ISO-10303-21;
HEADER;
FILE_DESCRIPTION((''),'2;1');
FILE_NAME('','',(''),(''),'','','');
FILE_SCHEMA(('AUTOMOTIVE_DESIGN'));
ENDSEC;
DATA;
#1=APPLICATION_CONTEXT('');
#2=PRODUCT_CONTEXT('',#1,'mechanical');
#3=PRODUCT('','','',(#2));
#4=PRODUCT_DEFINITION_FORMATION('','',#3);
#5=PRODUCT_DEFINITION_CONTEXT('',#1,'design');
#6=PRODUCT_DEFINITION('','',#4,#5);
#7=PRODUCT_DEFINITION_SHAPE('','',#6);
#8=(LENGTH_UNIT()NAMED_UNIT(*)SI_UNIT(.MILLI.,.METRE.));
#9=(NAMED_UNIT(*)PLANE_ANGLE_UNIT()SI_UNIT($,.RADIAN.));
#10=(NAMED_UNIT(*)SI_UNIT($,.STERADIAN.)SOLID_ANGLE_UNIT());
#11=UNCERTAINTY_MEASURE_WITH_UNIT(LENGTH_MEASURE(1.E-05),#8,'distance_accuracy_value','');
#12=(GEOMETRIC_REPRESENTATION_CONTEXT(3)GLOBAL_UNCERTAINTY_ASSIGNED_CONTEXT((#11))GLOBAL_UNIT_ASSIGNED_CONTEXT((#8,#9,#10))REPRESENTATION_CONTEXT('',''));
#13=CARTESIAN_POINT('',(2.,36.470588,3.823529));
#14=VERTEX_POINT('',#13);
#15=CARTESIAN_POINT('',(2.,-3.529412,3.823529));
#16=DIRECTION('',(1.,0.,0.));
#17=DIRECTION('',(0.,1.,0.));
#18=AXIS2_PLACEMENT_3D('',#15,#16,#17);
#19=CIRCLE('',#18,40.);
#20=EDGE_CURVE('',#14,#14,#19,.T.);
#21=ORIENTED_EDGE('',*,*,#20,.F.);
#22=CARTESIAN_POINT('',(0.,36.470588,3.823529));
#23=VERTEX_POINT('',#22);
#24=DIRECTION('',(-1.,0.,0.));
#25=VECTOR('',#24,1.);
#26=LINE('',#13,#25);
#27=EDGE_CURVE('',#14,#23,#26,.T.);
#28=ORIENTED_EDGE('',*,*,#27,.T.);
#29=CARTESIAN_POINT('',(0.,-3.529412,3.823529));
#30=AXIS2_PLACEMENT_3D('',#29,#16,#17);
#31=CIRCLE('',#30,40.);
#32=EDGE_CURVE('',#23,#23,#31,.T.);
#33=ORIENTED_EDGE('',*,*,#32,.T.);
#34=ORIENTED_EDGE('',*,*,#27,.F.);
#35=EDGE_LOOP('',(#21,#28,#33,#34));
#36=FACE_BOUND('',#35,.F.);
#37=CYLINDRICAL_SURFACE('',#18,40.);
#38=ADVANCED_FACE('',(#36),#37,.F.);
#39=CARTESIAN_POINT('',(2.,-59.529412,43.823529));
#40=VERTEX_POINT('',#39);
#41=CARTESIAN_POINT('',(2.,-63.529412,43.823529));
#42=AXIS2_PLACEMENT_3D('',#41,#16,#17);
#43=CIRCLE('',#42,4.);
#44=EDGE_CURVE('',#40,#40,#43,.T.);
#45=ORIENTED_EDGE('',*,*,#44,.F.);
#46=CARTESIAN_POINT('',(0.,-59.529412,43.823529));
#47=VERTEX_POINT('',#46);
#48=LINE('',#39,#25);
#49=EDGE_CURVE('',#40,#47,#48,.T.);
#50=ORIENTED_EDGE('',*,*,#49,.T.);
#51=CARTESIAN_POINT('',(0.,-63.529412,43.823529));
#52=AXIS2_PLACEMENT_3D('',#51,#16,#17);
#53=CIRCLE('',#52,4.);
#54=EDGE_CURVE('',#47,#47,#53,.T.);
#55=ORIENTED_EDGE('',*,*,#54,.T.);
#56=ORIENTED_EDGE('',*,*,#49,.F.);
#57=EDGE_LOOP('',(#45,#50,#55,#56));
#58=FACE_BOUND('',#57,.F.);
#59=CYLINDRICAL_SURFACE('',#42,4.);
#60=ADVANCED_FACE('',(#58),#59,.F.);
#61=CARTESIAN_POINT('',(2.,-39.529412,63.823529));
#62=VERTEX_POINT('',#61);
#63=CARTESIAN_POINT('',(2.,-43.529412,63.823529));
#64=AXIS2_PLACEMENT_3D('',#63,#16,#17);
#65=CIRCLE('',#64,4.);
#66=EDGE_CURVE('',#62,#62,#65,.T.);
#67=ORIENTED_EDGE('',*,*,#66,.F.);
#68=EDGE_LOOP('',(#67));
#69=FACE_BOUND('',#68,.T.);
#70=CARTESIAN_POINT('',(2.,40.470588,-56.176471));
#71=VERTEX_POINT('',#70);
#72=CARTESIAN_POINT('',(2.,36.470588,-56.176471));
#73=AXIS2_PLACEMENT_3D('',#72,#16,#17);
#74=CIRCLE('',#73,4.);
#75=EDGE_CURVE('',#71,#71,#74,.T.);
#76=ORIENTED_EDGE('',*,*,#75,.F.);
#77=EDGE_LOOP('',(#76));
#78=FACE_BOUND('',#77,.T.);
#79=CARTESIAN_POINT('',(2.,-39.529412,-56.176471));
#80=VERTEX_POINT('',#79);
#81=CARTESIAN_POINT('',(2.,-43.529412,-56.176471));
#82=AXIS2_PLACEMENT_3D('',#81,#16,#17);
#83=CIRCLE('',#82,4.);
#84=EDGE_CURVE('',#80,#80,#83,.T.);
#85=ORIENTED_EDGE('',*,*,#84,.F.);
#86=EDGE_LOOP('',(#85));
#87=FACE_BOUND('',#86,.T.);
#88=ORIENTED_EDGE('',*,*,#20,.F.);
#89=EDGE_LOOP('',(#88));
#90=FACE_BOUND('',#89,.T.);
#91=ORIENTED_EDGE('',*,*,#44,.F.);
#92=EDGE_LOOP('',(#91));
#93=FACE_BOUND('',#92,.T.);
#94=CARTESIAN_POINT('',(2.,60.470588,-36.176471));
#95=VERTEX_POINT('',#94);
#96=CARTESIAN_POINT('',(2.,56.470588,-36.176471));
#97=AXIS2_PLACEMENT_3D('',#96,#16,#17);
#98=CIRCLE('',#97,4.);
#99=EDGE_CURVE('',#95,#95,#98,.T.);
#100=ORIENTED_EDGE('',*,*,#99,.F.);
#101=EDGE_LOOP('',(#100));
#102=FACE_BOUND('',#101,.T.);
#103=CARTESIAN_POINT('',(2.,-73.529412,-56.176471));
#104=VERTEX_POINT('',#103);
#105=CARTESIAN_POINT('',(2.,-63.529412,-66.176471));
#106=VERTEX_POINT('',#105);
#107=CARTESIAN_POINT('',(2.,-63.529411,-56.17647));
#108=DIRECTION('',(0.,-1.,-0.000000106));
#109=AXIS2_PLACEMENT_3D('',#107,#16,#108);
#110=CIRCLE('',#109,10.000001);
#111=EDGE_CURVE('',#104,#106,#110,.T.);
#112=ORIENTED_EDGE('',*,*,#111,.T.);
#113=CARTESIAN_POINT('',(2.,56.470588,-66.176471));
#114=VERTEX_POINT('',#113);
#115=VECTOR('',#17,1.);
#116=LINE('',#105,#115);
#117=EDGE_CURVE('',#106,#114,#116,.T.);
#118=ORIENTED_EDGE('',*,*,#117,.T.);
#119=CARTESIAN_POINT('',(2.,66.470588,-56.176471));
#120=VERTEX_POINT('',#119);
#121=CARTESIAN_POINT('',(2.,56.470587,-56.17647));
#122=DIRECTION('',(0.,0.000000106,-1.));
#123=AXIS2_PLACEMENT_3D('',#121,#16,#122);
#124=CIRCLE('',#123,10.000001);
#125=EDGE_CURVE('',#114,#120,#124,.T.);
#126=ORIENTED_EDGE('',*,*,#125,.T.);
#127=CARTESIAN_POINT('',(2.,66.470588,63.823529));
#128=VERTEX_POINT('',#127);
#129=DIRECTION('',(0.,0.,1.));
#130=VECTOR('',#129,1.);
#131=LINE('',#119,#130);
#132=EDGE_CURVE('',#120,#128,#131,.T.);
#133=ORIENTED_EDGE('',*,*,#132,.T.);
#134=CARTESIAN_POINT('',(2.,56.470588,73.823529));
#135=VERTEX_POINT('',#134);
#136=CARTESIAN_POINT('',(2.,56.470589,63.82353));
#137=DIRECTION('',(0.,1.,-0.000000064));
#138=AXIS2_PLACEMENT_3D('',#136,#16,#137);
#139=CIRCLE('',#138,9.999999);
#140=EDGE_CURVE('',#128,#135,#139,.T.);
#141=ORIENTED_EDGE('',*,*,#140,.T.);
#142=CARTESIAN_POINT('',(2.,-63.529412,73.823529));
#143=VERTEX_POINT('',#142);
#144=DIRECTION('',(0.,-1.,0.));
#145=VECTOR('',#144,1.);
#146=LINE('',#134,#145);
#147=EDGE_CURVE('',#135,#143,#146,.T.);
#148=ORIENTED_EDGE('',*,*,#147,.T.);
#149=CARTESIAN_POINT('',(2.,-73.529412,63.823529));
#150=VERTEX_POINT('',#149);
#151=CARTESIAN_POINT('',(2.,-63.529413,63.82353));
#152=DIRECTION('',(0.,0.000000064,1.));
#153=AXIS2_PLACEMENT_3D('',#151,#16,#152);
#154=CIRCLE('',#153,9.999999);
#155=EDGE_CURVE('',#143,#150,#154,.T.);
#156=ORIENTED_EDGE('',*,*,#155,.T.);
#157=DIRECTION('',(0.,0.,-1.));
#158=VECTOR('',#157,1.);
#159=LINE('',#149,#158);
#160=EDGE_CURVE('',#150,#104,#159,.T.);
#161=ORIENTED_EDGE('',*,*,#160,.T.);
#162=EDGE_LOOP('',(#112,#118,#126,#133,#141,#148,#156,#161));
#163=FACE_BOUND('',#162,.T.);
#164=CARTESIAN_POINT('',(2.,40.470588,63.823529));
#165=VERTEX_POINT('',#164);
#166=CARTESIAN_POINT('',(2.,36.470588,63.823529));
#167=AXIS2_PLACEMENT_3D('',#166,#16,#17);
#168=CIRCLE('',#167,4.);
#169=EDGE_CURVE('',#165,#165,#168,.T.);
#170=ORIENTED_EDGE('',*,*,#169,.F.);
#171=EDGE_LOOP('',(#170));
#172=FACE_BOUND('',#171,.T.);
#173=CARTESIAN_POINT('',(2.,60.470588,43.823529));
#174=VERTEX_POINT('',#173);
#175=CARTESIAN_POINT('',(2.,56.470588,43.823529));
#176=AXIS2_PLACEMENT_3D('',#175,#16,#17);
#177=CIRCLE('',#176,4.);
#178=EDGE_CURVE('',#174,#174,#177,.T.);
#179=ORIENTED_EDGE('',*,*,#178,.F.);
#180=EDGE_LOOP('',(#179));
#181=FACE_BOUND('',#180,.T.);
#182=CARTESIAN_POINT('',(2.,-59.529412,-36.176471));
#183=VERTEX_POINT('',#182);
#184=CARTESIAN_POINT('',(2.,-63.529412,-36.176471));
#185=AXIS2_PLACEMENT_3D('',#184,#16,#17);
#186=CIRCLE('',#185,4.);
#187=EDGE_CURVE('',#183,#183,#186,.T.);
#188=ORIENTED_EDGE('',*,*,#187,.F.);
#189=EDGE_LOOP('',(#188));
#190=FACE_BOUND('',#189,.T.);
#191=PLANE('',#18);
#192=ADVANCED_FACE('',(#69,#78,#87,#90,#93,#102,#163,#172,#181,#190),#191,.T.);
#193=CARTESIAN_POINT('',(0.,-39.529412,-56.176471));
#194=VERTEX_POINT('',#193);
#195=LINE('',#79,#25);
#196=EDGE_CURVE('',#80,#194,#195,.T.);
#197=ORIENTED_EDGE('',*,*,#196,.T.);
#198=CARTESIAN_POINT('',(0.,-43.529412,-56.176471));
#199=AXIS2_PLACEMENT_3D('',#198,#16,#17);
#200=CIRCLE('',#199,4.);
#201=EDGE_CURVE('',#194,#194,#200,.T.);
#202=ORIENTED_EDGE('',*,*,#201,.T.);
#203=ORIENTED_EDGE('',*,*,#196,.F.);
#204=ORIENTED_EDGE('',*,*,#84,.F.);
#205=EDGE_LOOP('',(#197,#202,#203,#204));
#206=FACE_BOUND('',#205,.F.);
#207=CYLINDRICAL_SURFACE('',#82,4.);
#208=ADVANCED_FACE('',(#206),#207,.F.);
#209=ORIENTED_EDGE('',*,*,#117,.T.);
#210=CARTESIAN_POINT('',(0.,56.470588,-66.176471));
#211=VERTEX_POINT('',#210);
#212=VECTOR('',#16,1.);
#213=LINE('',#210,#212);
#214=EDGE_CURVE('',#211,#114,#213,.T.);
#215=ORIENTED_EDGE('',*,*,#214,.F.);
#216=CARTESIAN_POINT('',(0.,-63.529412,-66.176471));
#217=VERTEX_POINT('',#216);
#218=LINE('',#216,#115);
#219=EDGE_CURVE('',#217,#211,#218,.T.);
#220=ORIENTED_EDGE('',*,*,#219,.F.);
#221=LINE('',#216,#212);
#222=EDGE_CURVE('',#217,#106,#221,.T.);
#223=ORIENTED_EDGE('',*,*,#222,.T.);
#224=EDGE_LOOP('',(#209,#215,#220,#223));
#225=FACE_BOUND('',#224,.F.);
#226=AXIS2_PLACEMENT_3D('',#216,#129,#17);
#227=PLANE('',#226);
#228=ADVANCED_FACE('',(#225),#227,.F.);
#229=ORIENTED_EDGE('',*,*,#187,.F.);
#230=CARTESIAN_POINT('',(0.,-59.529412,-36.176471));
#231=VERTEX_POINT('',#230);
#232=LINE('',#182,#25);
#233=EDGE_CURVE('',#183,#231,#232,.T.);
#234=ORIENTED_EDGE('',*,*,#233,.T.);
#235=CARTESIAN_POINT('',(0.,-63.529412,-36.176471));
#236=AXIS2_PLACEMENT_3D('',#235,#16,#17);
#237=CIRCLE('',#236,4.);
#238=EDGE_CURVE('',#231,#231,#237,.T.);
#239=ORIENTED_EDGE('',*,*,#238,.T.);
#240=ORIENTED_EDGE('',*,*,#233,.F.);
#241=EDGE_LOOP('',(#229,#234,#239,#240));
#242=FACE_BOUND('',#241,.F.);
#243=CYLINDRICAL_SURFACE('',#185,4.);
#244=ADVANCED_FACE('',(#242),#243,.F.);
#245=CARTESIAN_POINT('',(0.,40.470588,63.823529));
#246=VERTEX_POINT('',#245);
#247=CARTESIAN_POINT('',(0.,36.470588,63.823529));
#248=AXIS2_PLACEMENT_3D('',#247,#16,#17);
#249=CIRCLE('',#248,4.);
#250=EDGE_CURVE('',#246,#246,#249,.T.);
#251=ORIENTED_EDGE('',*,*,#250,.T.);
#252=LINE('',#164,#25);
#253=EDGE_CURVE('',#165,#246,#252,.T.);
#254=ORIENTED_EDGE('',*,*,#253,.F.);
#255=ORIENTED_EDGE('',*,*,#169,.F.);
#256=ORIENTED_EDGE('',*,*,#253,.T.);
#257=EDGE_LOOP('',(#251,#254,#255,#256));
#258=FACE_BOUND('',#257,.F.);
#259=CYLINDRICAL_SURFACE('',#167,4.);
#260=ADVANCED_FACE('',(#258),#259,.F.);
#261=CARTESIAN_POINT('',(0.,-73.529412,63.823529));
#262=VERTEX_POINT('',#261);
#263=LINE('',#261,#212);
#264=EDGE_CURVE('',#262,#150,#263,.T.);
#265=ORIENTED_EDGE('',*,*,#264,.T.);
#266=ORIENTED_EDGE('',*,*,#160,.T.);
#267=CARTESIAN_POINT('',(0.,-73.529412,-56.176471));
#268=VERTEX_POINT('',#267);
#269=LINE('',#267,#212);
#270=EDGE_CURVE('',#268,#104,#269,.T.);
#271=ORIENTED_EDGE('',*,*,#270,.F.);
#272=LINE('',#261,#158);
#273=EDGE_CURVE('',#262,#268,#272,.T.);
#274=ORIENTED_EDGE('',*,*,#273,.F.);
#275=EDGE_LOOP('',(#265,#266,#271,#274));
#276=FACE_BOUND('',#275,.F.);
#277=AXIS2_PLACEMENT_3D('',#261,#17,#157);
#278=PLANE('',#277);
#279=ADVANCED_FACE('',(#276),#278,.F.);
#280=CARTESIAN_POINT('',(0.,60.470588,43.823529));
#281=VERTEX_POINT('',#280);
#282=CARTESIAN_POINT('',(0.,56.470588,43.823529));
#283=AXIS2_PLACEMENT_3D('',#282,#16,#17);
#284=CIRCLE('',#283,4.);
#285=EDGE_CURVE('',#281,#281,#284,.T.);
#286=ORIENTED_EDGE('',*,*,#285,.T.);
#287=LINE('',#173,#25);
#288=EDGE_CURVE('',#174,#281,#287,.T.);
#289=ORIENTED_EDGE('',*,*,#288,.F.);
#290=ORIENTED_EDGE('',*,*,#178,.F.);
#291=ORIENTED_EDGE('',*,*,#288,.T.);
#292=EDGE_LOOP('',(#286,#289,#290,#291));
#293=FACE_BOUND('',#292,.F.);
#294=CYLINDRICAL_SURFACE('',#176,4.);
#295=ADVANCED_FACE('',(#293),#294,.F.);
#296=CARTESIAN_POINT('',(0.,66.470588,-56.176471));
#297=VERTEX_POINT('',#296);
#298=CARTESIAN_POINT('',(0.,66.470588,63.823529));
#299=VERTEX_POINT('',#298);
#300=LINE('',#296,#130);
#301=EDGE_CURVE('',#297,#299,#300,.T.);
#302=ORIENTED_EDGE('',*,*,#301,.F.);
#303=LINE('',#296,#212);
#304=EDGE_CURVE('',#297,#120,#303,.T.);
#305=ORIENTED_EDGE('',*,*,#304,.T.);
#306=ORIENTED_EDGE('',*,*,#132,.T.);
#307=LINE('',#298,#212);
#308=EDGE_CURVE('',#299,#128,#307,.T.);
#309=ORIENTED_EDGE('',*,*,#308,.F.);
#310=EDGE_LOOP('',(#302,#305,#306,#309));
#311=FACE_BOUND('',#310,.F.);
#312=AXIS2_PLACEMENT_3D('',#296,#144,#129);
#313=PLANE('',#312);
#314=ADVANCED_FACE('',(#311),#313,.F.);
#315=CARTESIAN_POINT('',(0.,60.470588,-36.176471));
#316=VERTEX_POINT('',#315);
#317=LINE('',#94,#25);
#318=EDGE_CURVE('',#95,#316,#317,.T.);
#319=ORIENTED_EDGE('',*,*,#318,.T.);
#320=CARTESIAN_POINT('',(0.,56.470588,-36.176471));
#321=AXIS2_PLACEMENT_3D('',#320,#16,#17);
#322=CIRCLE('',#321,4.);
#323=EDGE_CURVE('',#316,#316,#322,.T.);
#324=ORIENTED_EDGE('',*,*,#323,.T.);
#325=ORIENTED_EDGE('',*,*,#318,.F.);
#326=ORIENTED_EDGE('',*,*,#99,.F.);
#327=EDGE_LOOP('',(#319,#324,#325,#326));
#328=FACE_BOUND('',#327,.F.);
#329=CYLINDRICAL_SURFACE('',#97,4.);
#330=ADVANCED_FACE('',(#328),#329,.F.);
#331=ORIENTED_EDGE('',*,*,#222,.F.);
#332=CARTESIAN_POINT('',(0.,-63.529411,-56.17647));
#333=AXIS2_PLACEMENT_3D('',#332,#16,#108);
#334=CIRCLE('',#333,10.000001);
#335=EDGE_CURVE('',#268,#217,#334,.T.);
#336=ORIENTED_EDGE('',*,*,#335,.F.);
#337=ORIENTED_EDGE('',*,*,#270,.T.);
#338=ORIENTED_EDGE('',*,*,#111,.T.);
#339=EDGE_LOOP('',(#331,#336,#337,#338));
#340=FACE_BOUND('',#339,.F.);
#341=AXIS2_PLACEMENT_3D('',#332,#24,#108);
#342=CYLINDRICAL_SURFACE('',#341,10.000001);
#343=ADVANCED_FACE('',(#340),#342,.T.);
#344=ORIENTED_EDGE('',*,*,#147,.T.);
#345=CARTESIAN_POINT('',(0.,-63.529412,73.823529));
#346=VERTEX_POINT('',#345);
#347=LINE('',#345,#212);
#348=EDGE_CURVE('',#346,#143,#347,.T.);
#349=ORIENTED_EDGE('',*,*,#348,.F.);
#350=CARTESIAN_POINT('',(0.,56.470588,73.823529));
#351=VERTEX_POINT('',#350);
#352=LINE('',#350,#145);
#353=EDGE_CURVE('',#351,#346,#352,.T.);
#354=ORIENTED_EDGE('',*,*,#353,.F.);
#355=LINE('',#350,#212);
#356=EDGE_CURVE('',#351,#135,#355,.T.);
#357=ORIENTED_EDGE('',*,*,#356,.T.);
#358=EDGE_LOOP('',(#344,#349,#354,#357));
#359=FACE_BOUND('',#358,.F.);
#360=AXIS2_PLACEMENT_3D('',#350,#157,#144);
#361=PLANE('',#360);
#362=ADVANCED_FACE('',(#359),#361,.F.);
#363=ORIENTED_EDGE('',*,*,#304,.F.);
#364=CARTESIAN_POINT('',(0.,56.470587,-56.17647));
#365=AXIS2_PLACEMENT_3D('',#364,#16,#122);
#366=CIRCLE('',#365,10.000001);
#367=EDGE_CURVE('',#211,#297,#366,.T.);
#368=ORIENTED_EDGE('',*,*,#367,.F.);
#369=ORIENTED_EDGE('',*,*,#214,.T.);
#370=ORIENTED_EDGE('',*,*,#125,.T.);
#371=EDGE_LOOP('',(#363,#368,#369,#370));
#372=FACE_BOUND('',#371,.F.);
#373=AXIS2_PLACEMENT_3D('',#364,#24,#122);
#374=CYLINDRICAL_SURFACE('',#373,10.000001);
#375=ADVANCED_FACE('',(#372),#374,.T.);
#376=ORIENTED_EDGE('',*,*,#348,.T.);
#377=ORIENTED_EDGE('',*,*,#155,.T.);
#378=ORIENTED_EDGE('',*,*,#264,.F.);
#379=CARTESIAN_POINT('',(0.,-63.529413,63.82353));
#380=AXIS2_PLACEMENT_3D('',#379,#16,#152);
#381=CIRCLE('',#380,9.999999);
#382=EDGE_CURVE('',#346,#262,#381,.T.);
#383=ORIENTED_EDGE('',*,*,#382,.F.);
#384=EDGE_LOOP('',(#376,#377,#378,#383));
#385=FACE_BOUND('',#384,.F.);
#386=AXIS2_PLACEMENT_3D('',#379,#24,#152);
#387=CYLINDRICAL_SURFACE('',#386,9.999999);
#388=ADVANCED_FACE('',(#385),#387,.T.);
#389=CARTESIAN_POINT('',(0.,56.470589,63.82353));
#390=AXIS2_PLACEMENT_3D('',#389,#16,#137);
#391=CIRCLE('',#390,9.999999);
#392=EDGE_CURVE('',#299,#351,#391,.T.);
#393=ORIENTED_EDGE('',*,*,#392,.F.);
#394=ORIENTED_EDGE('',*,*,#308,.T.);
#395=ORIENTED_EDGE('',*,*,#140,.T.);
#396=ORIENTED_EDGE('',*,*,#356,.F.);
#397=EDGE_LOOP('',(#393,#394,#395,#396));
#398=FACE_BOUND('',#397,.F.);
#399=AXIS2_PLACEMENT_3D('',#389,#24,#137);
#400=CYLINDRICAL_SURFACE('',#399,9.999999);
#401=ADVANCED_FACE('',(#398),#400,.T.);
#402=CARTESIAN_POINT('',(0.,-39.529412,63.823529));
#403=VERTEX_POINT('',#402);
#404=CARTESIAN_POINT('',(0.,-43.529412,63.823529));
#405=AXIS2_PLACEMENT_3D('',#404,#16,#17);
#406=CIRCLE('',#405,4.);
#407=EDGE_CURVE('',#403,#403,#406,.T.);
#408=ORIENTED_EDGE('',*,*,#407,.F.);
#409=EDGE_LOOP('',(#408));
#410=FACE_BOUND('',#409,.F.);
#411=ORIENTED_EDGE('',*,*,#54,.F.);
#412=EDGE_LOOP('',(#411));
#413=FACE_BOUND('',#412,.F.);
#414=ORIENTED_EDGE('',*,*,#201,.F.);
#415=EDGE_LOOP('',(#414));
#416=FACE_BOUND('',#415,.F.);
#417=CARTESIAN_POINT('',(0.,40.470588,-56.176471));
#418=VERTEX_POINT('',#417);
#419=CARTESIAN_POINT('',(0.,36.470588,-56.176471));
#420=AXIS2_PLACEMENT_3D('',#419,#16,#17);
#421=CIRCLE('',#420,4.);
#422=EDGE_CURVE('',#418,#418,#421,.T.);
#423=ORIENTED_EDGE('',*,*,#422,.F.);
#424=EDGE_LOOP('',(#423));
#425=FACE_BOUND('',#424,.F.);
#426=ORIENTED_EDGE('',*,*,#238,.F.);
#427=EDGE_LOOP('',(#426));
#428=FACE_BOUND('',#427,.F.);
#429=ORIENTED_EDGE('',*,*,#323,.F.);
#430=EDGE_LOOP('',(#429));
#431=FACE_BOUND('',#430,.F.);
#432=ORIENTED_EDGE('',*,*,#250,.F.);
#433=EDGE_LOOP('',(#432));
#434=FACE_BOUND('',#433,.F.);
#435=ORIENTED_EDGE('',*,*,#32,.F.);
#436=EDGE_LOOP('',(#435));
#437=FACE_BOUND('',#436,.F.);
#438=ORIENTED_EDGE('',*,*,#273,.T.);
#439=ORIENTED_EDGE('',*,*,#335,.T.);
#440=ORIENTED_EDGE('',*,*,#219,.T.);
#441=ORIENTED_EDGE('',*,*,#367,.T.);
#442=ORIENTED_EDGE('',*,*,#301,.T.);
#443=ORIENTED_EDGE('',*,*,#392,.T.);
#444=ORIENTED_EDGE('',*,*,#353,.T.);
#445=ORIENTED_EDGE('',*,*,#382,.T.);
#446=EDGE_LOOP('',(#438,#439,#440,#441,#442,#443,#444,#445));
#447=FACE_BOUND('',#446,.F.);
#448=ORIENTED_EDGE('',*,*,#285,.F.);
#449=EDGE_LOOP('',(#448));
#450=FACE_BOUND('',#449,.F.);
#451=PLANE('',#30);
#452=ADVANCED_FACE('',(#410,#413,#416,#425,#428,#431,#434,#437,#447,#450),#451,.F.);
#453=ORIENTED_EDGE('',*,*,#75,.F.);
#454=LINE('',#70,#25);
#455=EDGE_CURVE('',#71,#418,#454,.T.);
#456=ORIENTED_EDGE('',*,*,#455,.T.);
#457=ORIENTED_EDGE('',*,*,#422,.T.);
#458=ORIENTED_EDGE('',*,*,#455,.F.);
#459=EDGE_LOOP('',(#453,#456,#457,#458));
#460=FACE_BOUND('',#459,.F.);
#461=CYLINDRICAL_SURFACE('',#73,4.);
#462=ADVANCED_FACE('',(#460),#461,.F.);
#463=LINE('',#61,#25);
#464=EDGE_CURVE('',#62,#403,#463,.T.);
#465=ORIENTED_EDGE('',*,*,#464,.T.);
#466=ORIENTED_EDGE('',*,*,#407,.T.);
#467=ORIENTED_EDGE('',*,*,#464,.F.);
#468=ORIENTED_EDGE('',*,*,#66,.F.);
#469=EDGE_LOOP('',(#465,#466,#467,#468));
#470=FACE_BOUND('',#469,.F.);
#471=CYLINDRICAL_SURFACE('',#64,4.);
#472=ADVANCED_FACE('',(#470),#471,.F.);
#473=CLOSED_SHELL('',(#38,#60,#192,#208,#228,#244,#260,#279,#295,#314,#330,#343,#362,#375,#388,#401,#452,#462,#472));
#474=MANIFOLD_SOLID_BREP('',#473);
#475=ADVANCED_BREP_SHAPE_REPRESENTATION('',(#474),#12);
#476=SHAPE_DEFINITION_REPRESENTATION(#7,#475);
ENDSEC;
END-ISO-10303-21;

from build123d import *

# Parameters (mm, degrees)
F1_DEPTH = 2
F2_R     = 4
F2_R_2   = 40
F3_DEPTH = 2


with BuildPart() as f1:
    # F0 (on Right) → F1 (new body)
    with BuildSketch(Plane.YZ):
        with BuildLine():
            Line((56.470588, 73.823529), (-63.529412, 73.823529))
            ThreePointArc((-63.529412, 73.823529), (-70.60048, 70.894597), (-73.529412, 63.823529))
            Line((-73.529412, 63.823529), (-73.529412, -56.176471))
            ThreePointArc((-73.529412, -56.176471), (-70.60048, -63.247538), (-63.529412, -66.176471))
            Line((-63.529412, -66.176471), (56.470588, -66.176471))
            ThreePointArc((56.470588, -66.176471), (63.541656, -63.247538), (66.470588, -56.176471))
            Line((66.470588, -56.176471), (66.470588, 63.823529))
            ThreePointArc((66.470588, 63.823529), (63.541656, 70.894597), (56.470588, 73.823529))
        make_face()
    extrude(amount=F1_DEPTH)

    # F2 (on face) → F3 (cut, through all)
    with BuildSketch(Plane.YZ.offset(2)):
        with Locations((-63.529412, 43.823529)):
            Circle(F2_R)
        with Locations((-43.529412, 63.823529)):
            Circle(F2_R)
        with Locations((-63.529412, -36.176471)):
            Circle(F2_R)
        with Locations((-43.529412, -56.176471)):
            Circle(F2_R)
        with Locations((36.470588, -56.176471)):
            Circle(F2_R)
        with Locations((56.470588, -36.176471)):
            Circle(F2_R)
        with Locations((56.470588, 43.823529)):
            Circle(F2_R)
        with Locations((36.470588, 63.823529)):
            Circle(F2_R)
        with Locations((-3.529412, 3.823529)):
            Circle(F2_R_2)
    extrude(amount=-F3_DEPTH, mode=Mode.SUBTRACT)


solid = f1.part
